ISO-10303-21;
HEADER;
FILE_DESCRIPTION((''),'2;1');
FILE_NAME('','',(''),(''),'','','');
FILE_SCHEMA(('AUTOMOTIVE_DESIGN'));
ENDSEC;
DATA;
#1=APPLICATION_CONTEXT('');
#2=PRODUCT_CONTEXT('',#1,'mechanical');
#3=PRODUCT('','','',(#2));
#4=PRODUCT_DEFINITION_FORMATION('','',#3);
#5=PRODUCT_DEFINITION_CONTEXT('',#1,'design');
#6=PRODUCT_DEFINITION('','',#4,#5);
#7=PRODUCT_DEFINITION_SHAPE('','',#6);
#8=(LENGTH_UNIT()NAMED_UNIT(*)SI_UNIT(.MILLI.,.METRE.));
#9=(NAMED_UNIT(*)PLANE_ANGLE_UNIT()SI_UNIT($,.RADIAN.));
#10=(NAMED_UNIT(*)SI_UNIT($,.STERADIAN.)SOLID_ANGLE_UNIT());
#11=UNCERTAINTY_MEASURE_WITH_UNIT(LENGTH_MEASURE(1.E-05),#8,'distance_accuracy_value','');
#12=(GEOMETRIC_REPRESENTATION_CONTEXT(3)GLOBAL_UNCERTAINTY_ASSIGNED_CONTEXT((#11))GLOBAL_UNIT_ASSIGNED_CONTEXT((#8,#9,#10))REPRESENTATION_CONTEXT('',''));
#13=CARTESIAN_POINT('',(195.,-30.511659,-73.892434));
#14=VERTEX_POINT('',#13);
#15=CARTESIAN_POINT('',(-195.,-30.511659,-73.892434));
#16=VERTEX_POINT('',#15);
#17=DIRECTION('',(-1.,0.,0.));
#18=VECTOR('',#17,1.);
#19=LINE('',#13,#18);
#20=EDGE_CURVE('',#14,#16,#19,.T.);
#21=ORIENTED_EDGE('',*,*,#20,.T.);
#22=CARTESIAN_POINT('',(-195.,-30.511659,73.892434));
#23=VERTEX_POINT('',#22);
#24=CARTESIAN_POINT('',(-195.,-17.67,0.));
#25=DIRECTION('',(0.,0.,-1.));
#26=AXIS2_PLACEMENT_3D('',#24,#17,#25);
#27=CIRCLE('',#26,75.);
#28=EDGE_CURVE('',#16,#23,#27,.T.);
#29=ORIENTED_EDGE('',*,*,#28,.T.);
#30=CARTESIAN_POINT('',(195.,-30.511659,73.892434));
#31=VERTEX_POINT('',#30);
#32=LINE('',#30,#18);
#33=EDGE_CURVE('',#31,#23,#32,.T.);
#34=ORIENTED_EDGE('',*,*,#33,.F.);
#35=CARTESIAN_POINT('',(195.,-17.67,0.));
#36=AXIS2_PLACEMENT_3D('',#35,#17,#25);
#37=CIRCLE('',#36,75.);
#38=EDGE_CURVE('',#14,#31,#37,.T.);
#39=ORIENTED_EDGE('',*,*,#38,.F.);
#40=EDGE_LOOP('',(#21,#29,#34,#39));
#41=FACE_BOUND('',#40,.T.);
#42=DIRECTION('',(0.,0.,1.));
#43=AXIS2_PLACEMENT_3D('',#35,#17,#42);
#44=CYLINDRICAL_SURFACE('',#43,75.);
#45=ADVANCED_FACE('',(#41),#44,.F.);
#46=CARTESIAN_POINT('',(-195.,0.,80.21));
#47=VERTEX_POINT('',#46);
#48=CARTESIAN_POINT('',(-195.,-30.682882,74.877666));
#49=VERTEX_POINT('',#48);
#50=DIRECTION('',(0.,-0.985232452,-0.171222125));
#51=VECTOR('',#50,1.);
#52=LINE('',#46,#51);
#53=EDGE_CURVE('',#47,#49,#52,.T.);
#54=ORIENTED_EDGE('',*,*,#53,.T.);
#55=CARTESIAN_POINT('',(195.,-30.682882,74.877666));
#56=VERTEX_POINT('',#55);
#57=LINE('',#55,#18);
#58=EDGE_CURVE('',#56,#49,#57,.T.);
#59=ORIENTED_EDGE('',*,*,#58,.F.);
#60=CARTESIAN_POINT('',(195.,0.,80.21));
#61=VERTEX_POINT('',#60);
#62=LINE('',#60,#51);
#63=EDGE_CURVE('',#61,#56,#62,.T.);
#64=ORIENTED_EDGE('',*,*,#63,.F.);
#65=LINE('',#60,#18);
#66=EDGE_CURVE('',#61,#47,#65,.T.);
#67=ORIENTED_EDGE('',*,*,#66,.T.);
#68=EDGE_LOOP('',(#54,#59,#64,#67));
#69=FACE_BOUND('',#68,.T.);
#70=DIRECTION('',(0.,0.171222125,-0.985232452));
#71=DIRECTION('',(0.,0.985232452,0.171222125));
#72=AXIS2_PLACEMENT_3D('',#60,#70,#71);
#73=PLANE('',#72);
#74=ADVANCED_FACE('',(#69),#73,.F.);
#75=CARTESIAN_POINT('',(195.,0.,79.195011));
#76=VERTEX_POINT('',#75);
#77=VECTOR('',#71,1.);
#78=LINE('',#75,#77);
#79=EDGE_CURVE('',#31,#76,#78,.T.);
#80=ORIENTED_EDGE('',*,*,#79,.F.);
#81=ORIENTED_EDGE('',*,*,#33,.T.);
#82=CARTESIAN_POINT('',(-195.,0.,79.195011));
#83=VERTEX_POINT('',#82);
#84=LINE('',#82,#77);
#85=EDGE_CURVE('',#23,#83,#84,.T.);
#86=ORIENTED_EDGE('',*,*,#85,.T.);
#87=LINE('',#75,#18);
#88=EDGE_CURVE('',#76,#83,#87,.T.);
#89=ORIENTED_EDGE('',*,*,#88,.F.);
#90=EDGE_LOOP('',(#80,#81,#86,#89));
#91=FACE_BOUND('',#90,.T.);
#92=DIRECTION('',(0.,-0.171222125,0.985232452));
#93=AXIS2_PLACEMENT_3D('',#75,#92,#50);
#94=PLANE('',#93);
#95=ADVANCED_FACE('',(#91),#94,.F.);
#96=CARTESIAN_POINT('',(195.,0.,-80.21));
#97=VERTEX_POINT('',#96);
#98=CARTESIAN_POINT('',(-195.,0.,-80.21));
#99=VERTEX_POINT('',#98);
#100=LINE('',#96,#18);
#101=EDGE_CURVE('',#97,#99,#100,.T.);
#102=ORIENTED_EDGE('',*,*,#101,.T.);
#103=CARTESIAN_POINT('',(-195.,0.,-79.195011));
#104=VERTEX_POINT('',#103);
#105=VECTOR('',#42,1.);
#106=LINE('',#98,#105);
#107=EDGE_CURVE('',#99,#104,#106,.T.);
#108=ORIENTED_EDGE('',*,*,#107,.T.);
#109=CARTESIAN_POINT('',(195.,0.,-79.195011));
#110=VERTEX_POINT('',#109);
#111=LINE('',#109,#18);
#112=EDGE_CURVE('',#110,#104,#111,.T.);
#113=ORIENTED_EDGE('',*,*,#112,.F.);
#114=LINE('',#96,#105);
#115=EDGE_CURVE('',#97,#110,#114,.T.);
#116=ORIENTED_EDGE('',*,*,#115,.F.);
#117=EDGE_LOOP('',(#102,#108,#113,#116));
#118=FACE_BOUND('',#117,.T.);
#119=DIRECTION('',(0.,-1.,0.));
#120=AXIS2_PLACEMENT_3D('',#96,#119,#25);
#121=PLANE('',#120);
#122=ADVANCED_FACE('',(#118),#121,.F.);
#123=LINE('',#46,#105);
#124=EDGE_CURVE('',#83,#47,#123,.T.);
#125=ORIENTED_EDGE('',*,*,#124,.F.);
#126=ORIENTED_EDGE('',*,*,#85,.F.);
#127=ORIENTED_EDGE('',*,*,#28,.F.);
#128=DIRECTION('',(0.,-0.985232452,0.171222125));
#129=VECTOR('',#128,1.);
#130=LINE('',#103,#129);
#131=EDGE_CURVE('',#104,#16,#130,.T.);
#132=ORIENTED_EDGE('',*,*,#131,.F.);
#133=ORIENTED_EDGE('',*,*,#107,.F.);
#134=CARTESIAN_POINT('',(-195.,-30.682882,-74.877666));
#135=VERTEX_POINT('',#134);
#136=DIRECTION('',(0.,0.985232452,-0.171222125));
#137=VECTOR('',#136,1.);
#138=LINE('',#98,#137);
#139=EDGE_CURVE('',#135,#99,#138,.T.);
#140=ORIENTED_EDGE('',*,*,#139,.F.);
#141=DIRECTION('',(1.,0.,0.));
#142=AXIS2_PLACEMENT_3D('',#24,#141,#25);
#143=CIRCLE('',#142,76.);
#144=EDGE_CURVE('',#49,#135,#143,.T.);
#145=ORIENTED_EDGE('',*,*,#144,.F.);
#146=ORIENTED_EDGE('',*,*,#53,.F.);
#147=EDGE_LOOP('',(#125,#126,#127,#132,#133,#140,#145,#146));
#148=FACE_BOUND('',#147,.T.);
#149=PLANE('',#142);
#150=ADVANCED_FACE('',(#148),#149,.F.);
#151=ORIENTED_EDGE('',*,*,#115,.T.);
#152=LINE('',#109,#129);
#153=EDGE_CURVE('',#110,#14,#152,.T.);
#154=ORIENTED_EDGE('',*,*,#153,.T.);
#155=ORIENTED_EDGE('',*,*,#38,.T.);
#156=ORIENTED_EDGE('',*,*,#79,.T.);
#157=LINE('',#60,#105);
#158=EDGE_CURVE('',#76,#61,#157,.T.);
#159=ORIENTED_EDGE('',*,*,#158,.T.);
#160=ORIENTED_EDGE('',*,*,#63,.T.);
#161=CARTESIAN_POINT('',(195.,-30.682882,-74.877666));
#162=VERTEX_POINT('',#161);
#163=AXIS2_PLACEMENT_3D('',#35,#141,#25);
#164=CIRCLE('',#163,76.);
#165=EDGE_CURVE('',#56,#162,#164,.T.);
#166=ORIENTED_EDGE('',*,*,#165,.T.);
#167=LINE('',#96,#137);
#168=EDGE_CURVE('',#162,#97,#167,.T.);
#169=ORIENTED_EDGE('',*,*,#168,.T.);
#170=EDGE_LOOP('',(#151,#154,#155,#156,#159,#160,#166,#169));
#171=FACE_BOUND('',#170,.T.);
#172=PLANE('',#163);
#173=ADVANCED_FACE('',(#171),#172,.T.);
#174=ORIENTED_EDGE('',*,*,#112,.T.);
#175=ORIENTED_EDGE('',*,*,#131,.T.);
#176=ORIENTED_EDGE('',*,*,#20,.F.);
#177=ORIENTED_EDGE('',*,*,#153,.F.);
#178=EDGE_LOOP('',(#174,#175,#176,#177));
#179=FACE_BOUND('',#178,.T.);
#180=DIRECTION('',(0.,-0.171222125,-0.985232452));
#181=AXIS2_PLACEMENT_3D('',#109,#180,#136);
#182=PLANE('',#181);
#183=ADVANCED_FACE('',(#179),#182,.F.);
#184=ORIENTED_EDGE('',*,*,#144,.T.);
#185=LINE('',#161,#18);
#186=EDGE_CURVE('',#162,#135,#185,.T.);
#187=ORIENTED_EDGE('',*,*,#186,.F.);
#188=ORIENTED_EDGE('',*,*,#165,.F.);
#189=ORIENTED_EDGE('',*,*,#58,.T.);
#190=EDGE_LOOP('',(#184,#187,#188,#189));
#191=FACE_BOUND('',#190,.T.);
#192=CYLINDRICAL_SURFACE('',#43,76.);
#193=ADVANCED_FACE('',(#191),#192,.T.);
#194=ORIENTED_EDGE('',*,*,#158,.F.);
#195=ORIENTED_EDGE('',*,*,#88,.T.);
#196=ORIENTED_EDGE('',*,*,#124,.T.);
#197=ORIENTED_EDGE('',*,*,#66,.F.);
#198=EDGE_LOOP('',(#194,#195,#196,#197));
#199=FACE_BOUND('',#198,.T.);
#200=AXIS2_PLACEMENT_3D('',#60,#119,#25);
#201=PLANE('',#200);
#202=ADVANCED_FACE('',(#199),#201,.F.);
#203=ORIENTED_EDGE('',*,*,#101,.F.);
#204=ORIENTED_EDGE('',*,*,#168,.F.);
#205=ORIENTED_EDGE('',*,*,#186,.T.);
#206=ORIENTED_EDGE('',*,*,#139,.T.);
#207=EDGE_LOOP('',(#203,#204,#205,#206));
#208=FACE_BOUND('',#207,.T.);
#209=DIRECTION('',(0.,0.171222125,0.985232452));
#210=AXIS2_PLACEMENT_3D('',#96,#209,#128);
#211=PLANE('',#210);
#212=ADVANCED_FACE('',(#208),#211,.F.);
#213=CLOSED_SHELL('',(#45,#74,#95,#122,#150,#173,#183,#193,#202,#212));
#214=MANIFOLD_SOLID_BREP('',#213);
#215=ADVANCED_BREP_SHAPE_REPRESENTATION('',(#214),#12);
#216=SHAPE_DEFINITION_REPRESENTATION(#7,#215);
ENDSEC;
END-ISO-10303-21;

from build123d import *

# Parameters (mm, degrees)
BOSS_EXTRUDE1_DEPTH = 195


with BuildPart() as part:
    # Sketch1 → Boss-Extrude1 (new, symmetric)
    with BuildSketch(Plane(origin=(0, 0, 0), x_dir=(0, 0, -1), z_dir=(1, 0, 0))):
        with BuildLine():
            Line((-80.21, 0), (-74.877666329, -30.682881508))
            ThreePointArc((-74.877666329, -30.682881508), (0, -93.67), (74.877666329, -30.682881508))
            Line((74.877666329, -30.682881508), (80.21, 0))
            Line((80.21, 0), (79.195011102, 0))
            Line((79.195011102, 0), (73.892433877, -30.511659383))
            ThreePointArc((73.892433877, -30.511659383), (0, -92.67), (-73.892433877, -30.511659383))
            Line((-73.892433877, -30.511659383), (-79.195011102, 0))
            Line((-79.195011102, 0), (-80.21, 0))
        make_face()
    extrude(amount=BOSS_EXTRUDE1_DEPTH, both=True)


solid = part.part
